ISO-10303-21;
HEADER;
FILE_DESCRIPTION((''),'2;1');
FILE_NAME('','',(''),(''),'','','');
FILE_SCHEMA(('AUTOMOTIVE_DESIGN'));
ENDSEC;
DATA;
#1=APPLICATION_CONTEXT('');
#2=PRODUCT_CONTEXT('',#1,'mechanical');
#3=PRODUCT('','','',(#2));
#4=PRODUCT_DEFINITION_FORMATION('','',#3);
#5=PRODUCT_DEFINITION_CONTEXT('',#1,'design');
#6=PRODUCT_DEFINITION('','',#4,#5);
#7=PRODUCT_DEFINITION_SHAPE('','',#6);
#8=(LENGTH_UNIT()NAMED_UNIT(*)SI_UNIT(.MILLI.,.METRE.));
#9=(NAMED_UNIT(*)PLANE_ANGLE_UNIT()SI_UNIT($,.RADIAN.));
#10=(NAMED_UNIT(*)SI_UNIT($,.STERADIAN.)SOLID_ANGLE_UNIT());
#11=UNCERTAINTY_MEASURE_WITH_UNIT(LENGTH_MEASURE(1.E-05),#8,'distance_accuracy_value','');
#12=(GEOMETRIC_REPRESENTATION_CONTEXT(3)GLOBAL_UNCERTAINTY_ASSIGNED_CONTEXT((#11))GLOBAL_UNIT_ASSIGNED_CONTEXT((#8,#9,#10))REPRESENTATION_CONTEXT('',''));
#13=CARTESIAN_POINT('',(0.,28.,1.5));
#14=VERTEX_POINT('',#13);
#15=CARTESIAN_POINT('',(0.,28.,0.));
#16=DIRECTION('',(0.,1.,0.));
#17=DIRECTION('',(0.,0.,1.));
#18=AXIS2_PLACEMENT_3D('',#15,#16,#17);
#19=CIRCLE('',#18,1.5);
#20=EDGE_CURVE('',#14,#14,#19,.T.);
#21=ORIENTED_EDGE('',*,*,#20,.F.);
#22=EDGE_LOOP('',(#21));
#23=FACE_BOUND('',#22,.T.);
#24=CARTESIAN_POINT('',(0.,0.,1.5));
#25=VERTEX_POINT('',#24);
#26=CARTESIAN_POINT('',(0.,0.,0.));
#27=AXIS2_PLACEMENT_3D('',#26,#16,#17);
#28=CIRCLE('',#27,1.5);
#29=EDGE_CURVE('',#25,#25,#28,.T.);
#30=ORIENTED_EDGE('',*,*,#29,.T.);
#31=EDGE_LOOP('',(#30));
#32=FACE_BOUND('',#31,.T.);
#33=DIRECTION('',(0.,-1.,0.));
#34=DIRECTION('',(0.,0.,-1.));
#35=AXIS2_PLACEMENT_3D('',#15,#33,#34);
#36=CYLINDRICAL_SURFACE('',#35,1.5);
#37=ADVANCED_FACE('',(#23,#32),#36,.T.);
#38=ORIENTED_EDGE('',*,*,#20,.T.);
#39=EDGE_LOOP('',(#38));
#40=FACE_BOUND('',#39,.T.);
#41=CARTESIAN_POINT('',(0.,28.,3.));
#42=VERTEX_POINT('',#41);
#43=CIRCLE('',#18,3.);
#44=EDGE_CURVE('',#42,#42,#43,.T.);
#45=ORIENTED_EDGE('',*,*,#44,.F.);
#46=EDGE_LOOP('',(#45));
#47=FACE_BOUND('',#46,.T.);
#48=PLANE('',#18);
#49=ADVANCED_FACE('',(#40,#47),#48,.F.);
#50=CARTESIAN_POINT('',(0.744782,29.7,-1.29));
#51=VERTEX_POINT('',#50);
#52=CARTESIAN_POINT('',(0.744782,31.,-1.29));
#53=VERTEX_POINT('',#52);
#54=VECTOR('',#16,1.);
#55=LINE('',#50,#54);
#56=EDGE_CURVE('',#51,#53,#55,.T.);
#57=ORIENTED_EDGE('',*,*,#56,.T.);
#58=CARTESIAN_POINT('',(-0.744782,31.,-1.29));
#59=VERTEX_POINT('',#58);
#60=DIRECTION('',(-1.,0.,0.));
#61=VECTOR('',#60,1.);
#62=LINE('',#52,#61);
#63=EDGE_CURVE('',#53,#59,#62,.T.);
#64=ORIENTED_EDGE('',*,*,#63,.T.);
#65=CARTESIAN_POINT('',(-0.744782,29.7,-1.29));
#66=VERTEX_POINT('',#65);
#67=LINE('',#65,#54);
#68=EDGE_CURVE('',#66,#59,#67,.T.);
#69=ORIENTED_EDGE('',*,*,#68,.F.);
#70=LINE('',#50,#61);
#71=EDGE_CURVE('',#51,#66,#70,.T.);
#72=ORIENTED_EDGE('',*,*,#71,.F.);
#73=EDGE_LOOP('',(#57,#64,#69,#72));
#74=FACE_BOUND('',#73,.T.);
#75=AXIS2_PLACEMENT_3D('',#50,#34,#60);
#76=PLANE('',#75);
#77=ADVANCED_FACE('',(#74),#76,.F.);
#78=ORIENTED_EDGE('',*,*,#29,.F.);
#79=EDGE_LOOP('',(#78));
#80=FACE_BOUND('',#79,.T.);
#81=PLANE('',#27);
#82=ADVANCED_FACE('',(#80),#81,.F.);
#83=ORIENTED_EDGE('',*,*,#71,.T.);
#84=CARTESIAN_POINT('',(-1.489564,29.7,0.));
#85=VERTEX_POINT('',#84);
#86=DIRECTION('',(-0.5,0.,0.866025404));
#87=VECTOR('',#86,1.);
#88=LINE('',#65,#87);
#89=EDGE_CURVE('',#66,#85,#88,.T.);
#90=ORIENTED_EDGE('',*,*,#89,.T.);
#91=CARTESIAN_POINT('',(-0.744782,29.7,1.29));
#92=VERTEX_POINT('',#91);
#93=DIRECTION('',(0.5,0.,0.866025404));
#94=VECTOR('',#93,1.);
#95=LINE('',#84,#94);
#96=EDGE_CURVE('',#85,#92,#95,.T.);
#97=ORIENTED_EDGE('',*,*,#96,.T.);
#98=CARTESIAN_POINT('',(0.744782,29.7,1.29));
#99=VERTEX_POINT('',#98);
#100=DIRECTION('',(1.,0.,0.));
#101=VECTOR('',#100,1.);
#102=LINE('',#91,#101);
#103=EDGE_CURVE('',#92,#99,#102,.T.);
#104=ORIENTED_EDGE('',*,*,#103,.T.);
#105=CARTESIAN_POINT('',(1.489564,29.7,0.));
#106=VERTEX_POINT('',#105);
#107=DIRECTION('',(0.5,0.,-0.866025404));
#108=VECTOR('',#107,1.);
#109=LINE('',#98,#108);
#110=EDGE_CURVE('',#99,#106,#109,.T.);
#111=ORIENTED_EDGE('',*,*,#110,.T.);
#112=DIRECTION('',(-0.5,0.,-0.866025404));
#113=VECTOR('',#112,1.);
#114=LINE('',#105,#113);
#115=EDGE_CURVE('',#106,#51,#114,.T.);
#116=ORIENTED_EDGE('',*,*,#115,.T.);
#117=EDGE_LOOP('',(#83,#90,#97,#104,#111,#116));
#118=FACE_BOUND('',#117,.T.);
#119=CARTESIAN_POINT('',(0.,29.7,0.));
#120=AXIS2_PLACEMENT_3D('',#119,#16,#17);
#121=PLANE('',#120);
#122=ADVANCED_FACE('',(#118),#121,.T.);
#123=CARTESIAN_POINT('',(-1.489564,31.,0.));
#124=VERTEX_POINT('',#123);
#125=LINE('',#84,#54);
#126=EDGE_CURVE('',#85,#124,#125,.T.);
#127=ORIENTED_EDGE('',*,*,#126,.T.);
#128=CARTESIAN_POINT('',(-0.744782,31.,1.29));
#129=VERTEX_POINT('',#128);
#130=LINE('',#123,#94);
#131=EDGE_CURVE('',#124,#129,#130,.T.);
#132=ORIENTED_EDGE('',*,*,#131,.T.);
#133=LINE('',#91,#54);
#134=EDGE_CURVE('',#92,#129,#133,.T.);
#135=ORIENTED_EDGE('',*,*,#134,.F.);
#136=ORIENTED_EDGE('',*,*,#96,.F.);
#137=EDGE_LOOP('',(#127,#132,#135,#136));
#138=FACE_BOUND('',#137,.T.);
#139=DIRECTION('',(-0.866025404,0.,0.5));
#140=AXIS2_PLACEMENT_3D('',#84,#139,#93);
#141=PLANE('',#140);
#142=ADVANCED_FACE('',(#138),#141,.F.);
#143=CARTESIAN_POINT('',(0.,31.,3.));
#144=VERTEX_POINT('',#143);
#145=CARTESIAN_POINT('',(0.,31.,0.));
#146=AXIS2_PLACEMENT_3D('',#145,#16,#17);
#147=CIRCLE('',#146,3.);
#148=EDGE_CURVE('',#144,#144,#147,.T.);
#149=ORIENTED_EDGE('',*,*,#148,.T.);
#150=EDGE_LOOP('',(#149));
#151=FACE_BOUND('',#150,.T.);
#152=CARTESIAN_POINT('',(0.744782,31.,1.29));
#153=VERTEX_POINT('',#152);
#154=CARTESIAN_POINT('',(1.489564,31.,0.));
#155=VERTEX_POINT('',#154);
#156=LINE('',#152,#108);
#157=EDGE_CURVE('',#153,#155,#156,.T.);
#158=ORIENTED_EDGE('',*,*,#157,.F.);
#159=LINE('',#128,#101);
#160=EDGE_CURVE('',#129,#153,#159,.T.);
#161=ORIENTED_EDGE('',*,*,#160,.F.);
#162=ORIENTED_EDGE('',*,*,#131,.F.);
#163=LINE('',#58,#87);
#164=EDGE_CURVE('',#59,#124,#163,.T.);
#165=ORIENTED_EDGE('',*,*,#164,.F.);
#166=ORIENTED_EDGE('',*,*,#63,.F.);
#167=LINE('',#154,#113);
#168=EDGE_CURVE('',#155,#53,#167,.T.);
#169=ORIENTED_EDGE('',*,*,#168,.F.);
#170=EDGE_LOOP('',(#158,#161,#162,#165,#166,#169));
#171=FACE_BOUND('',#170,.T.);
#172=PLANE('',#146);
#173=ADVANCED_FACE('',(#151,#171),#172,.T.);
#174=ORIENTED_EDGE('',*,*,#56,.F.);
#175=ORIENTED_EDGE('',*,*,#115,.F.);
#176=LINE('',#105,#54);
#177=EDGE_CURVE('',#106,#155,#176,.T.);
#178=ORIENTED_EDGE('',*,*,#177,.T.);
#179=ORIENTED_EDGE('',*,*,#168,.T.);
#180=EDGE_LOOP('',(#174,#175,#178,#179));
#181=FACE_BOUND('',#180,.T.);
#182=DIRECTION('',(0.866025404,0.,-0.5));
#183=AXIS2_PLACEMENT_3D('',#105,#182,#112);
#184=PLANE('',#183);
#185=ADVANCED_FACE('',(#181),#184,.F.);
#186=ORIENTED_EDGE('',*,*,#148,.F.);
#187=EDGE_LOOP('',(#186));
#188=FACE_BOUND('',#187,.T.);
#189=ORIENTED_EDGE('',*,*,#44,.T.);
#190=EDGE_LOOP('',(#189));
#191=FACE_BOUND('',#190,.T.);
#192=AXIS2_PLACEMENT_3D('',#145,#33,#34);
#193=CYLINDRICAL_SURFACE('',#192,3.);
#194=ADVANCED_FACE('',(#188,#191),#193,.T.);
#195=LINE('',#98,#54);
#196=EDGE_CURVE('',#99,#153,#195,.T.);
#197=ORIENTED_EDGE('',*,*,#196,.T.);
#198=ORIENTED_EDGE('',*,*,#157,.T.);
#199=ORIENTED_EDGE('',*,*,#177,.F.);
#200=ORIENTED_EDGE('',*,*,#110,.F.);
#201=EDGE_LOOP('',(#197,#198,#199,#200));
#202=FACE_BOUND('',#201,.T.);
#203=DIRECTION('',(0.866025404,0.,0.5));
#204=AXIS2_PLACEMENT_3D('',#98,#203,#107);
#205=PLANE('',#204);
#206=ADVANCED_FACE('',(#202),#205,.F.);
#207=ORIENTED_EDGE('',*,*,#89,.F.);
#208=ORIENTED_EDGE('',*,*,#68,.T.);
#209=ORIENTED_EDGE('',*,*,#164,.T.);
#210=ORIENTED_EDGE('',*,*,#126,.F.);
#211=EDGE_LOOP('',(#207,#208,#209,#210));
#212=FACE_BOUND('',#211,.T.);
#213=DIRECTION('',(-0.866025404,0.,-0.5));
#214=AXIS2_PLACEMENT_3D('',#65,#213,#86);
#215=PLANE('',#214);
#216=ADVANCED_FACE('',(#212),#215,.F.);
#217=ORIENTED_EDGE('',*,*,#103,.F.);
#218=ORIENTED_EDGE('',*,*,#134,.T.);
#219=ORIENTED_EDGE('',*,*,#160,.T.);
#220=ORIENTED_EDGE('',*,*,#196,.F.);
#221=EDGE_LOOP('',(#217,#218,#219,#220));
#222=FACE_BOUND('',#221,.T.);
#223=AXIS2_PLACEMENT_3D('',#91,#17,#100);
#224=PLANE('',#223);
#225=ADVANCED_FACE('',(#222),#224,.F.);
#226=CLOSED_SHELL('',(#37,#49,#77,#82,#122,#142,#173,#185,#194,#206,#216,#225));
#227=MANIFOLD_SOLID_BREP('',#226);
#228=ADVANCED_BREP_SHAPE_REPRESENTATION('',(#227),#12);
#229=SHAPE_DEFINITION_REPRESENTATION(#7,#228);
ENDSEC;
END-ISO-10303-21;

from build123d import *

# Parameters (mm, degrees)
SKETCH1_R           = 1.5
SCREWSHAFT_DEPTH    = 28
SKETCH2_R           = 3
BOSS_EXTRUDE2_DEPTH = 3
CUT_EXTRUDE1_DEPTH  = 1.3


with BuildPart() as part:
    # Sketch1 → ScrewShaft (new body)
    with BuildSketch(Plane(origin=(0, 0, 0), x_dir=(1, 0, 0), z_dir=(0, 1, 0))):
        with Locations(Location((0, 0, 0), (0, 0, 270))):
            Circle(SKETCH1_R)
    extrude(amount=SCREWSHAFT_DEPTH)

    # Sketch2 → Boss-Extrude2 (add)
    with BuildSketch(Plane(origin=(0, 28, 0), x_dir=(1, 0, 0), z_dir=(0, 1, 0))):
        with Locations(Location((0, 0, 0), (0, 0, 270))):
            Circle(SKETCH2_R)
    extrude(amount=BOSS_EXTRUDE2_DEPTH)

    # Sketch3 → Cut-Extrude1 (cut)
    with BuildSketch(Plane(origin=(0, 31, 0), x_dir=(1, 0, 0), z_dir=(0, 1, 0))):
        Polygon((1.489563695, 0), (0.744781847, 1.29), (-0.744781847, 1.29), (-1.489563695, 0), (-0.744781847, -1.29), (0.744781847, -1.29), align=None)
    extrude(amount=-CUT_EXTRUDE1_DEPTH, mode=Mode.SUBTRACT)


solid = part.part
